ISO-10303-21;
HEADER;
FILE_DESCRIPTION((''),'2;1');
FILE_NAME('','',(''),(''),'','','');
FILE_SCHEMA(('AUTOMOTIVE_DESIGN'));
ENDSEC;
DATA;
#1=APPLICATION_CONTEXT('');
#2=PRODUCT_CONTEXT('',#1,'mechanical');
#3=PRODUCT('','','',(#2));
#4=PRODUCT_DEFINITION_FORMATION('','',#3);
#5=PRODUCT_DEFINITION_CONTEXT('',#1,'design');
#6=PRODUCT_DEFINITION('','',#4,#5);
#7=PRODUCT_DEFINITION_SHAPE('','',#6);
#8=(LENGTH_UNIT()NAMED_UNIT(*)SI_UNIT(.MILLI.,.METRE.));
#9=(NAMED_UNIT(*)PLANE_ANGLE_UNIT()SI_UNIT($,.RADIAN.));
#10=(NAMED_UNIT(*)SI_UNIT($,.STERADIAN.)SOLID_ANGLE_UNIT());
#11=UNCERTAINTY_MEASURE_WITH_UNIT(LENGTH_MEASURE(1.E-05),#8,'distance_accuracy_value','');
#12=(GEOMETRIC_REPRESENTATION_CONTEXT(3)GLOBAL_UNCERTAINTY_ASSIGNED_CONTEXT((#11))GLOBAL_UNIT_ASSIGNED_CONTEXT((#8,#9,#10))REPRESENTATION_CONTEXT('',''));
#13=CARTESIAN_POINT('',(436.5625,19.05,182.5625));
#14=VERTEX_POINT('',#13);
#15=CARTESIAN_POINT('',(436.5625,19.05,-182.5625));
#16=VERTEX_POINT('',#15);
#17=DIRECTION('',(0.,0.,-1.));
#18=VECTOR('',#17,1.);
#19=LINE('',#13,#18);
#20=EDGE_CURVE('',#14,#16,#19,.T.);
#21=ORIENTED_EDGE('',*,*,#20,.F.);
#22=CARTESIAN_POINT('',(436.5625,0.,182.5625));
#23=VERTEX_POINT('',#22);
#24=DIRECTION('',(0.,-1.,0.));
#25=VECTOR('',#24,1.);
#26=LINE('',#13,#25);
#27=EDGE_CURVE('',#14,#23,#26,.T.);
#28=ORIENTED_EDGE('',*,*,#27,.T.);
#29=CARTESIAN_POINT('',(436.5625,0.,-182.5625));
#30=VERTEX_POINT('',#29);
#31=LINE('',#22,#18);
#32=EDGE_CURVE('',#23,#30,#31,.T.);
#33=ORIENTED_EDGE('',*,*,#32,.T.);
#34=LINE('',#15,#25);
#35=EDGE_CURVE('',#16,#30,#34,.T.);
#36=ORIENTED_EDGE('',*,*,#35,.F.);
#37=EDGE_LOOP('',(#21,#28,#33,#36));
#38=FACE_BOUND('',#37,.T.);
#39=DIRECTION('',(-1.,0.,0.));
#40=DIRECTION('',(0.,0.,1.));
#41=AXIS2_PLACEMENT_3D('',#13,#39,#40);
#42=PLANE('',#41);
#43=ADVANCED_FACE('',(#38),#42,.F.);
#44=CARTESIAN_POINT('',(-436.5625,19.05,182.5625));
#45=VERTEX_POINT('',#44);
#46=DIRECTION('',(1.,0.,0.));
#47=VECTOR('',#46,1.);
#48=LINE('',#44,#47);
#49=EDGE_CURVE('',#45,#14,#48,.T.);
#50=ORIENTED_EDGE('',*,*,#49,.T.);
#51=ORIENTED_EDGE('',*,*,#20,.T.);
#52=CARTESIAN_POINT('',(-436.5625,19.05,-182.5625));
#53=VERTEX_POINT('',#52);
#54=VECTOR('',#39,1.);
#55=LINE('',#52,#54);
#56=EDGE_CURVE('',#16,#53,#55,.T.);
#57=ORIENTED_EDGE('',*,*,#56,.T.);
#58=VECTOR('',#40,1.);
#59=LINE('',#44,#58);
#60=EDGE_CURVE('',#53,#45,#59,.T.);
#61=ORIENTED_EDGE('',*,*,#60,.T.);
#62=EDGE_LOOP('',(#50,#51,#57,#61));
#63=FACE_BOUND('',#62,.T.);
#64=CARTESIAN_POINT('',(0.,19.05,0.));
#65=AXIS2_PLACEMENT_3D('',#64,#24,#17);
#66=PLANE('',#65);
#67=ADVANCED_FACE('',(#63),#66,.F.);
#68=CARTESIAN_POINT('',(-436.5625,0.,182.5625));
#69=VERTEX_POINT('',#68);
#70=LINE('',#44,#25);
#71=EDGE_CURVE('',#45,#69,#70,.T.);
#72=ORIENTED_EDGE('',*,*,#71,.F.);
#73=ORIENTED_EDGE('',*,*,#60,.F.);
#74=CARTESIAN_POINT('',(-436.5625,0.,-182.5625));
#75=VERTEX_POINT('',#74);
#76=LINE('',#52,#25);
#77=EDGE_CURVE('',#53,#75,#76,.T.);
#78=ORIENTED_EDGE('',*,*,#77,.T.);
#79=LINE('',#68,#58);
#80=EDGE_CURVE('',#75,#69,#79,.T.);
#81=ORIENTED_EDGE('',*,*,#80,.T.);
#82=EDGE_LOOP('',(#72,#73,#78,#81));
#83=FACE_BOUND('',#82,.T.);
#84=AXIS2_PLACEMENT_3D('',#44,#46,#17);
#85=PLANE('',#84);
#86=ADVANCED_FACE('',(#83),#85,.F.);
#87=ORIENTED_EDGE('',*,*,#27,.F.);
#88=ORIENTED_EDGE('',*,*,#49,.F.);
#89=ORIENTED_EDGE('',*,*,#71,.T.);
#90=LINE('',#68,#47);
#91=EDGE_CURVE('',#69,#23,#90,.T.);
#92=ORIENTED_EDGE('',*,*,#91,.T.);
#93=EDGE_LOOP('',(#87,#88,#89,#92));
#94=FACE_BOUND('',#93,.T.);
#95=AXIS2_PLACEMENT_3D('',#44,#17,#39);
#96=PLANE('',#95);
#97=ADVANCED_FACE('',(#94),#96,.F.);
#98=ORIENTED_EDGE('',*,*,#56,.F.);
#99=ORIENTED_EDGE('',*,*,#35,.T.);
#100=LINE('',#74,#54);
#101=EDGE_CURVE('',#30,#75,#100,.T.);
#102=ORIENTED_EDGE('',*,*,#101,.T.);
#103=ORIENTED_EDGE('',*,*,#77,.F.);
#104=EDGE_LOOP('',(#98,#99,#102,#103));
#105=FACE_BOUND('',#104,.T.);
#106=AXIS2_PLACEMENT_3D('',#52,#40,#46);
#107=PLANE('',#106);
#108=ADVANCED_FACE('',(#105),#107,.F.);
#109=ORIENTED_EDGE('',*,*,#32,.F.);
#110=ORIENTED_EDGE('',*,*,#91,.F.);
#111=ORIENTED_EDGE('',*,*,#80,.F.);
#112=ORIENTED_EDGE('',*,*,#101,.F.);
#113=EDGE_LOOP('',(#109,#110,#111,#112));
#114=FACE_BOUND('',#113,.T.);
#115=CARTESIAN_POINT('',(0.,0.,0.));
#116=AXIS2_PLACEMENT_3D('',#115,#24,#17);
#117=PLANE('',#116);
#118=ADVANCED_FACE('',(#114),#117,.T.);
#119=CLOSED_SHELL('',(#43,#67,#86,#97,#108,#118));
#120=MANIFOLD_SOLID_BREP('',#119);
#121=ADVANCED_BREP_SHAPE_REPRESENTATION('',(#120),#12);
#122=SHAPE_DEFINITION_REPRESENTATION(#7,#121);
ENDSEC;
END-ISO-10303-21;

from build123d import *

# Parameters (mm, degrees)
SKETCH1_W           = 873.125
SKETCH1_H           = 365.125
BOSS_EXTRUDE1_DEPTH = 19.05


with BuildPart() as part:
    # Sketch1 → Boss-Extrude1 (new body)
    with BuildSketch(Plane(origin=(0, 0, 0), x_dir=(1, 0, 0), z_dir=(0, 1, 0))):
        Rectangle(SKETCH1_W, SKETCH1_H)
    extrude(amount=BOSS_EXTRUDE1_DEPTH)


solid = part.part
